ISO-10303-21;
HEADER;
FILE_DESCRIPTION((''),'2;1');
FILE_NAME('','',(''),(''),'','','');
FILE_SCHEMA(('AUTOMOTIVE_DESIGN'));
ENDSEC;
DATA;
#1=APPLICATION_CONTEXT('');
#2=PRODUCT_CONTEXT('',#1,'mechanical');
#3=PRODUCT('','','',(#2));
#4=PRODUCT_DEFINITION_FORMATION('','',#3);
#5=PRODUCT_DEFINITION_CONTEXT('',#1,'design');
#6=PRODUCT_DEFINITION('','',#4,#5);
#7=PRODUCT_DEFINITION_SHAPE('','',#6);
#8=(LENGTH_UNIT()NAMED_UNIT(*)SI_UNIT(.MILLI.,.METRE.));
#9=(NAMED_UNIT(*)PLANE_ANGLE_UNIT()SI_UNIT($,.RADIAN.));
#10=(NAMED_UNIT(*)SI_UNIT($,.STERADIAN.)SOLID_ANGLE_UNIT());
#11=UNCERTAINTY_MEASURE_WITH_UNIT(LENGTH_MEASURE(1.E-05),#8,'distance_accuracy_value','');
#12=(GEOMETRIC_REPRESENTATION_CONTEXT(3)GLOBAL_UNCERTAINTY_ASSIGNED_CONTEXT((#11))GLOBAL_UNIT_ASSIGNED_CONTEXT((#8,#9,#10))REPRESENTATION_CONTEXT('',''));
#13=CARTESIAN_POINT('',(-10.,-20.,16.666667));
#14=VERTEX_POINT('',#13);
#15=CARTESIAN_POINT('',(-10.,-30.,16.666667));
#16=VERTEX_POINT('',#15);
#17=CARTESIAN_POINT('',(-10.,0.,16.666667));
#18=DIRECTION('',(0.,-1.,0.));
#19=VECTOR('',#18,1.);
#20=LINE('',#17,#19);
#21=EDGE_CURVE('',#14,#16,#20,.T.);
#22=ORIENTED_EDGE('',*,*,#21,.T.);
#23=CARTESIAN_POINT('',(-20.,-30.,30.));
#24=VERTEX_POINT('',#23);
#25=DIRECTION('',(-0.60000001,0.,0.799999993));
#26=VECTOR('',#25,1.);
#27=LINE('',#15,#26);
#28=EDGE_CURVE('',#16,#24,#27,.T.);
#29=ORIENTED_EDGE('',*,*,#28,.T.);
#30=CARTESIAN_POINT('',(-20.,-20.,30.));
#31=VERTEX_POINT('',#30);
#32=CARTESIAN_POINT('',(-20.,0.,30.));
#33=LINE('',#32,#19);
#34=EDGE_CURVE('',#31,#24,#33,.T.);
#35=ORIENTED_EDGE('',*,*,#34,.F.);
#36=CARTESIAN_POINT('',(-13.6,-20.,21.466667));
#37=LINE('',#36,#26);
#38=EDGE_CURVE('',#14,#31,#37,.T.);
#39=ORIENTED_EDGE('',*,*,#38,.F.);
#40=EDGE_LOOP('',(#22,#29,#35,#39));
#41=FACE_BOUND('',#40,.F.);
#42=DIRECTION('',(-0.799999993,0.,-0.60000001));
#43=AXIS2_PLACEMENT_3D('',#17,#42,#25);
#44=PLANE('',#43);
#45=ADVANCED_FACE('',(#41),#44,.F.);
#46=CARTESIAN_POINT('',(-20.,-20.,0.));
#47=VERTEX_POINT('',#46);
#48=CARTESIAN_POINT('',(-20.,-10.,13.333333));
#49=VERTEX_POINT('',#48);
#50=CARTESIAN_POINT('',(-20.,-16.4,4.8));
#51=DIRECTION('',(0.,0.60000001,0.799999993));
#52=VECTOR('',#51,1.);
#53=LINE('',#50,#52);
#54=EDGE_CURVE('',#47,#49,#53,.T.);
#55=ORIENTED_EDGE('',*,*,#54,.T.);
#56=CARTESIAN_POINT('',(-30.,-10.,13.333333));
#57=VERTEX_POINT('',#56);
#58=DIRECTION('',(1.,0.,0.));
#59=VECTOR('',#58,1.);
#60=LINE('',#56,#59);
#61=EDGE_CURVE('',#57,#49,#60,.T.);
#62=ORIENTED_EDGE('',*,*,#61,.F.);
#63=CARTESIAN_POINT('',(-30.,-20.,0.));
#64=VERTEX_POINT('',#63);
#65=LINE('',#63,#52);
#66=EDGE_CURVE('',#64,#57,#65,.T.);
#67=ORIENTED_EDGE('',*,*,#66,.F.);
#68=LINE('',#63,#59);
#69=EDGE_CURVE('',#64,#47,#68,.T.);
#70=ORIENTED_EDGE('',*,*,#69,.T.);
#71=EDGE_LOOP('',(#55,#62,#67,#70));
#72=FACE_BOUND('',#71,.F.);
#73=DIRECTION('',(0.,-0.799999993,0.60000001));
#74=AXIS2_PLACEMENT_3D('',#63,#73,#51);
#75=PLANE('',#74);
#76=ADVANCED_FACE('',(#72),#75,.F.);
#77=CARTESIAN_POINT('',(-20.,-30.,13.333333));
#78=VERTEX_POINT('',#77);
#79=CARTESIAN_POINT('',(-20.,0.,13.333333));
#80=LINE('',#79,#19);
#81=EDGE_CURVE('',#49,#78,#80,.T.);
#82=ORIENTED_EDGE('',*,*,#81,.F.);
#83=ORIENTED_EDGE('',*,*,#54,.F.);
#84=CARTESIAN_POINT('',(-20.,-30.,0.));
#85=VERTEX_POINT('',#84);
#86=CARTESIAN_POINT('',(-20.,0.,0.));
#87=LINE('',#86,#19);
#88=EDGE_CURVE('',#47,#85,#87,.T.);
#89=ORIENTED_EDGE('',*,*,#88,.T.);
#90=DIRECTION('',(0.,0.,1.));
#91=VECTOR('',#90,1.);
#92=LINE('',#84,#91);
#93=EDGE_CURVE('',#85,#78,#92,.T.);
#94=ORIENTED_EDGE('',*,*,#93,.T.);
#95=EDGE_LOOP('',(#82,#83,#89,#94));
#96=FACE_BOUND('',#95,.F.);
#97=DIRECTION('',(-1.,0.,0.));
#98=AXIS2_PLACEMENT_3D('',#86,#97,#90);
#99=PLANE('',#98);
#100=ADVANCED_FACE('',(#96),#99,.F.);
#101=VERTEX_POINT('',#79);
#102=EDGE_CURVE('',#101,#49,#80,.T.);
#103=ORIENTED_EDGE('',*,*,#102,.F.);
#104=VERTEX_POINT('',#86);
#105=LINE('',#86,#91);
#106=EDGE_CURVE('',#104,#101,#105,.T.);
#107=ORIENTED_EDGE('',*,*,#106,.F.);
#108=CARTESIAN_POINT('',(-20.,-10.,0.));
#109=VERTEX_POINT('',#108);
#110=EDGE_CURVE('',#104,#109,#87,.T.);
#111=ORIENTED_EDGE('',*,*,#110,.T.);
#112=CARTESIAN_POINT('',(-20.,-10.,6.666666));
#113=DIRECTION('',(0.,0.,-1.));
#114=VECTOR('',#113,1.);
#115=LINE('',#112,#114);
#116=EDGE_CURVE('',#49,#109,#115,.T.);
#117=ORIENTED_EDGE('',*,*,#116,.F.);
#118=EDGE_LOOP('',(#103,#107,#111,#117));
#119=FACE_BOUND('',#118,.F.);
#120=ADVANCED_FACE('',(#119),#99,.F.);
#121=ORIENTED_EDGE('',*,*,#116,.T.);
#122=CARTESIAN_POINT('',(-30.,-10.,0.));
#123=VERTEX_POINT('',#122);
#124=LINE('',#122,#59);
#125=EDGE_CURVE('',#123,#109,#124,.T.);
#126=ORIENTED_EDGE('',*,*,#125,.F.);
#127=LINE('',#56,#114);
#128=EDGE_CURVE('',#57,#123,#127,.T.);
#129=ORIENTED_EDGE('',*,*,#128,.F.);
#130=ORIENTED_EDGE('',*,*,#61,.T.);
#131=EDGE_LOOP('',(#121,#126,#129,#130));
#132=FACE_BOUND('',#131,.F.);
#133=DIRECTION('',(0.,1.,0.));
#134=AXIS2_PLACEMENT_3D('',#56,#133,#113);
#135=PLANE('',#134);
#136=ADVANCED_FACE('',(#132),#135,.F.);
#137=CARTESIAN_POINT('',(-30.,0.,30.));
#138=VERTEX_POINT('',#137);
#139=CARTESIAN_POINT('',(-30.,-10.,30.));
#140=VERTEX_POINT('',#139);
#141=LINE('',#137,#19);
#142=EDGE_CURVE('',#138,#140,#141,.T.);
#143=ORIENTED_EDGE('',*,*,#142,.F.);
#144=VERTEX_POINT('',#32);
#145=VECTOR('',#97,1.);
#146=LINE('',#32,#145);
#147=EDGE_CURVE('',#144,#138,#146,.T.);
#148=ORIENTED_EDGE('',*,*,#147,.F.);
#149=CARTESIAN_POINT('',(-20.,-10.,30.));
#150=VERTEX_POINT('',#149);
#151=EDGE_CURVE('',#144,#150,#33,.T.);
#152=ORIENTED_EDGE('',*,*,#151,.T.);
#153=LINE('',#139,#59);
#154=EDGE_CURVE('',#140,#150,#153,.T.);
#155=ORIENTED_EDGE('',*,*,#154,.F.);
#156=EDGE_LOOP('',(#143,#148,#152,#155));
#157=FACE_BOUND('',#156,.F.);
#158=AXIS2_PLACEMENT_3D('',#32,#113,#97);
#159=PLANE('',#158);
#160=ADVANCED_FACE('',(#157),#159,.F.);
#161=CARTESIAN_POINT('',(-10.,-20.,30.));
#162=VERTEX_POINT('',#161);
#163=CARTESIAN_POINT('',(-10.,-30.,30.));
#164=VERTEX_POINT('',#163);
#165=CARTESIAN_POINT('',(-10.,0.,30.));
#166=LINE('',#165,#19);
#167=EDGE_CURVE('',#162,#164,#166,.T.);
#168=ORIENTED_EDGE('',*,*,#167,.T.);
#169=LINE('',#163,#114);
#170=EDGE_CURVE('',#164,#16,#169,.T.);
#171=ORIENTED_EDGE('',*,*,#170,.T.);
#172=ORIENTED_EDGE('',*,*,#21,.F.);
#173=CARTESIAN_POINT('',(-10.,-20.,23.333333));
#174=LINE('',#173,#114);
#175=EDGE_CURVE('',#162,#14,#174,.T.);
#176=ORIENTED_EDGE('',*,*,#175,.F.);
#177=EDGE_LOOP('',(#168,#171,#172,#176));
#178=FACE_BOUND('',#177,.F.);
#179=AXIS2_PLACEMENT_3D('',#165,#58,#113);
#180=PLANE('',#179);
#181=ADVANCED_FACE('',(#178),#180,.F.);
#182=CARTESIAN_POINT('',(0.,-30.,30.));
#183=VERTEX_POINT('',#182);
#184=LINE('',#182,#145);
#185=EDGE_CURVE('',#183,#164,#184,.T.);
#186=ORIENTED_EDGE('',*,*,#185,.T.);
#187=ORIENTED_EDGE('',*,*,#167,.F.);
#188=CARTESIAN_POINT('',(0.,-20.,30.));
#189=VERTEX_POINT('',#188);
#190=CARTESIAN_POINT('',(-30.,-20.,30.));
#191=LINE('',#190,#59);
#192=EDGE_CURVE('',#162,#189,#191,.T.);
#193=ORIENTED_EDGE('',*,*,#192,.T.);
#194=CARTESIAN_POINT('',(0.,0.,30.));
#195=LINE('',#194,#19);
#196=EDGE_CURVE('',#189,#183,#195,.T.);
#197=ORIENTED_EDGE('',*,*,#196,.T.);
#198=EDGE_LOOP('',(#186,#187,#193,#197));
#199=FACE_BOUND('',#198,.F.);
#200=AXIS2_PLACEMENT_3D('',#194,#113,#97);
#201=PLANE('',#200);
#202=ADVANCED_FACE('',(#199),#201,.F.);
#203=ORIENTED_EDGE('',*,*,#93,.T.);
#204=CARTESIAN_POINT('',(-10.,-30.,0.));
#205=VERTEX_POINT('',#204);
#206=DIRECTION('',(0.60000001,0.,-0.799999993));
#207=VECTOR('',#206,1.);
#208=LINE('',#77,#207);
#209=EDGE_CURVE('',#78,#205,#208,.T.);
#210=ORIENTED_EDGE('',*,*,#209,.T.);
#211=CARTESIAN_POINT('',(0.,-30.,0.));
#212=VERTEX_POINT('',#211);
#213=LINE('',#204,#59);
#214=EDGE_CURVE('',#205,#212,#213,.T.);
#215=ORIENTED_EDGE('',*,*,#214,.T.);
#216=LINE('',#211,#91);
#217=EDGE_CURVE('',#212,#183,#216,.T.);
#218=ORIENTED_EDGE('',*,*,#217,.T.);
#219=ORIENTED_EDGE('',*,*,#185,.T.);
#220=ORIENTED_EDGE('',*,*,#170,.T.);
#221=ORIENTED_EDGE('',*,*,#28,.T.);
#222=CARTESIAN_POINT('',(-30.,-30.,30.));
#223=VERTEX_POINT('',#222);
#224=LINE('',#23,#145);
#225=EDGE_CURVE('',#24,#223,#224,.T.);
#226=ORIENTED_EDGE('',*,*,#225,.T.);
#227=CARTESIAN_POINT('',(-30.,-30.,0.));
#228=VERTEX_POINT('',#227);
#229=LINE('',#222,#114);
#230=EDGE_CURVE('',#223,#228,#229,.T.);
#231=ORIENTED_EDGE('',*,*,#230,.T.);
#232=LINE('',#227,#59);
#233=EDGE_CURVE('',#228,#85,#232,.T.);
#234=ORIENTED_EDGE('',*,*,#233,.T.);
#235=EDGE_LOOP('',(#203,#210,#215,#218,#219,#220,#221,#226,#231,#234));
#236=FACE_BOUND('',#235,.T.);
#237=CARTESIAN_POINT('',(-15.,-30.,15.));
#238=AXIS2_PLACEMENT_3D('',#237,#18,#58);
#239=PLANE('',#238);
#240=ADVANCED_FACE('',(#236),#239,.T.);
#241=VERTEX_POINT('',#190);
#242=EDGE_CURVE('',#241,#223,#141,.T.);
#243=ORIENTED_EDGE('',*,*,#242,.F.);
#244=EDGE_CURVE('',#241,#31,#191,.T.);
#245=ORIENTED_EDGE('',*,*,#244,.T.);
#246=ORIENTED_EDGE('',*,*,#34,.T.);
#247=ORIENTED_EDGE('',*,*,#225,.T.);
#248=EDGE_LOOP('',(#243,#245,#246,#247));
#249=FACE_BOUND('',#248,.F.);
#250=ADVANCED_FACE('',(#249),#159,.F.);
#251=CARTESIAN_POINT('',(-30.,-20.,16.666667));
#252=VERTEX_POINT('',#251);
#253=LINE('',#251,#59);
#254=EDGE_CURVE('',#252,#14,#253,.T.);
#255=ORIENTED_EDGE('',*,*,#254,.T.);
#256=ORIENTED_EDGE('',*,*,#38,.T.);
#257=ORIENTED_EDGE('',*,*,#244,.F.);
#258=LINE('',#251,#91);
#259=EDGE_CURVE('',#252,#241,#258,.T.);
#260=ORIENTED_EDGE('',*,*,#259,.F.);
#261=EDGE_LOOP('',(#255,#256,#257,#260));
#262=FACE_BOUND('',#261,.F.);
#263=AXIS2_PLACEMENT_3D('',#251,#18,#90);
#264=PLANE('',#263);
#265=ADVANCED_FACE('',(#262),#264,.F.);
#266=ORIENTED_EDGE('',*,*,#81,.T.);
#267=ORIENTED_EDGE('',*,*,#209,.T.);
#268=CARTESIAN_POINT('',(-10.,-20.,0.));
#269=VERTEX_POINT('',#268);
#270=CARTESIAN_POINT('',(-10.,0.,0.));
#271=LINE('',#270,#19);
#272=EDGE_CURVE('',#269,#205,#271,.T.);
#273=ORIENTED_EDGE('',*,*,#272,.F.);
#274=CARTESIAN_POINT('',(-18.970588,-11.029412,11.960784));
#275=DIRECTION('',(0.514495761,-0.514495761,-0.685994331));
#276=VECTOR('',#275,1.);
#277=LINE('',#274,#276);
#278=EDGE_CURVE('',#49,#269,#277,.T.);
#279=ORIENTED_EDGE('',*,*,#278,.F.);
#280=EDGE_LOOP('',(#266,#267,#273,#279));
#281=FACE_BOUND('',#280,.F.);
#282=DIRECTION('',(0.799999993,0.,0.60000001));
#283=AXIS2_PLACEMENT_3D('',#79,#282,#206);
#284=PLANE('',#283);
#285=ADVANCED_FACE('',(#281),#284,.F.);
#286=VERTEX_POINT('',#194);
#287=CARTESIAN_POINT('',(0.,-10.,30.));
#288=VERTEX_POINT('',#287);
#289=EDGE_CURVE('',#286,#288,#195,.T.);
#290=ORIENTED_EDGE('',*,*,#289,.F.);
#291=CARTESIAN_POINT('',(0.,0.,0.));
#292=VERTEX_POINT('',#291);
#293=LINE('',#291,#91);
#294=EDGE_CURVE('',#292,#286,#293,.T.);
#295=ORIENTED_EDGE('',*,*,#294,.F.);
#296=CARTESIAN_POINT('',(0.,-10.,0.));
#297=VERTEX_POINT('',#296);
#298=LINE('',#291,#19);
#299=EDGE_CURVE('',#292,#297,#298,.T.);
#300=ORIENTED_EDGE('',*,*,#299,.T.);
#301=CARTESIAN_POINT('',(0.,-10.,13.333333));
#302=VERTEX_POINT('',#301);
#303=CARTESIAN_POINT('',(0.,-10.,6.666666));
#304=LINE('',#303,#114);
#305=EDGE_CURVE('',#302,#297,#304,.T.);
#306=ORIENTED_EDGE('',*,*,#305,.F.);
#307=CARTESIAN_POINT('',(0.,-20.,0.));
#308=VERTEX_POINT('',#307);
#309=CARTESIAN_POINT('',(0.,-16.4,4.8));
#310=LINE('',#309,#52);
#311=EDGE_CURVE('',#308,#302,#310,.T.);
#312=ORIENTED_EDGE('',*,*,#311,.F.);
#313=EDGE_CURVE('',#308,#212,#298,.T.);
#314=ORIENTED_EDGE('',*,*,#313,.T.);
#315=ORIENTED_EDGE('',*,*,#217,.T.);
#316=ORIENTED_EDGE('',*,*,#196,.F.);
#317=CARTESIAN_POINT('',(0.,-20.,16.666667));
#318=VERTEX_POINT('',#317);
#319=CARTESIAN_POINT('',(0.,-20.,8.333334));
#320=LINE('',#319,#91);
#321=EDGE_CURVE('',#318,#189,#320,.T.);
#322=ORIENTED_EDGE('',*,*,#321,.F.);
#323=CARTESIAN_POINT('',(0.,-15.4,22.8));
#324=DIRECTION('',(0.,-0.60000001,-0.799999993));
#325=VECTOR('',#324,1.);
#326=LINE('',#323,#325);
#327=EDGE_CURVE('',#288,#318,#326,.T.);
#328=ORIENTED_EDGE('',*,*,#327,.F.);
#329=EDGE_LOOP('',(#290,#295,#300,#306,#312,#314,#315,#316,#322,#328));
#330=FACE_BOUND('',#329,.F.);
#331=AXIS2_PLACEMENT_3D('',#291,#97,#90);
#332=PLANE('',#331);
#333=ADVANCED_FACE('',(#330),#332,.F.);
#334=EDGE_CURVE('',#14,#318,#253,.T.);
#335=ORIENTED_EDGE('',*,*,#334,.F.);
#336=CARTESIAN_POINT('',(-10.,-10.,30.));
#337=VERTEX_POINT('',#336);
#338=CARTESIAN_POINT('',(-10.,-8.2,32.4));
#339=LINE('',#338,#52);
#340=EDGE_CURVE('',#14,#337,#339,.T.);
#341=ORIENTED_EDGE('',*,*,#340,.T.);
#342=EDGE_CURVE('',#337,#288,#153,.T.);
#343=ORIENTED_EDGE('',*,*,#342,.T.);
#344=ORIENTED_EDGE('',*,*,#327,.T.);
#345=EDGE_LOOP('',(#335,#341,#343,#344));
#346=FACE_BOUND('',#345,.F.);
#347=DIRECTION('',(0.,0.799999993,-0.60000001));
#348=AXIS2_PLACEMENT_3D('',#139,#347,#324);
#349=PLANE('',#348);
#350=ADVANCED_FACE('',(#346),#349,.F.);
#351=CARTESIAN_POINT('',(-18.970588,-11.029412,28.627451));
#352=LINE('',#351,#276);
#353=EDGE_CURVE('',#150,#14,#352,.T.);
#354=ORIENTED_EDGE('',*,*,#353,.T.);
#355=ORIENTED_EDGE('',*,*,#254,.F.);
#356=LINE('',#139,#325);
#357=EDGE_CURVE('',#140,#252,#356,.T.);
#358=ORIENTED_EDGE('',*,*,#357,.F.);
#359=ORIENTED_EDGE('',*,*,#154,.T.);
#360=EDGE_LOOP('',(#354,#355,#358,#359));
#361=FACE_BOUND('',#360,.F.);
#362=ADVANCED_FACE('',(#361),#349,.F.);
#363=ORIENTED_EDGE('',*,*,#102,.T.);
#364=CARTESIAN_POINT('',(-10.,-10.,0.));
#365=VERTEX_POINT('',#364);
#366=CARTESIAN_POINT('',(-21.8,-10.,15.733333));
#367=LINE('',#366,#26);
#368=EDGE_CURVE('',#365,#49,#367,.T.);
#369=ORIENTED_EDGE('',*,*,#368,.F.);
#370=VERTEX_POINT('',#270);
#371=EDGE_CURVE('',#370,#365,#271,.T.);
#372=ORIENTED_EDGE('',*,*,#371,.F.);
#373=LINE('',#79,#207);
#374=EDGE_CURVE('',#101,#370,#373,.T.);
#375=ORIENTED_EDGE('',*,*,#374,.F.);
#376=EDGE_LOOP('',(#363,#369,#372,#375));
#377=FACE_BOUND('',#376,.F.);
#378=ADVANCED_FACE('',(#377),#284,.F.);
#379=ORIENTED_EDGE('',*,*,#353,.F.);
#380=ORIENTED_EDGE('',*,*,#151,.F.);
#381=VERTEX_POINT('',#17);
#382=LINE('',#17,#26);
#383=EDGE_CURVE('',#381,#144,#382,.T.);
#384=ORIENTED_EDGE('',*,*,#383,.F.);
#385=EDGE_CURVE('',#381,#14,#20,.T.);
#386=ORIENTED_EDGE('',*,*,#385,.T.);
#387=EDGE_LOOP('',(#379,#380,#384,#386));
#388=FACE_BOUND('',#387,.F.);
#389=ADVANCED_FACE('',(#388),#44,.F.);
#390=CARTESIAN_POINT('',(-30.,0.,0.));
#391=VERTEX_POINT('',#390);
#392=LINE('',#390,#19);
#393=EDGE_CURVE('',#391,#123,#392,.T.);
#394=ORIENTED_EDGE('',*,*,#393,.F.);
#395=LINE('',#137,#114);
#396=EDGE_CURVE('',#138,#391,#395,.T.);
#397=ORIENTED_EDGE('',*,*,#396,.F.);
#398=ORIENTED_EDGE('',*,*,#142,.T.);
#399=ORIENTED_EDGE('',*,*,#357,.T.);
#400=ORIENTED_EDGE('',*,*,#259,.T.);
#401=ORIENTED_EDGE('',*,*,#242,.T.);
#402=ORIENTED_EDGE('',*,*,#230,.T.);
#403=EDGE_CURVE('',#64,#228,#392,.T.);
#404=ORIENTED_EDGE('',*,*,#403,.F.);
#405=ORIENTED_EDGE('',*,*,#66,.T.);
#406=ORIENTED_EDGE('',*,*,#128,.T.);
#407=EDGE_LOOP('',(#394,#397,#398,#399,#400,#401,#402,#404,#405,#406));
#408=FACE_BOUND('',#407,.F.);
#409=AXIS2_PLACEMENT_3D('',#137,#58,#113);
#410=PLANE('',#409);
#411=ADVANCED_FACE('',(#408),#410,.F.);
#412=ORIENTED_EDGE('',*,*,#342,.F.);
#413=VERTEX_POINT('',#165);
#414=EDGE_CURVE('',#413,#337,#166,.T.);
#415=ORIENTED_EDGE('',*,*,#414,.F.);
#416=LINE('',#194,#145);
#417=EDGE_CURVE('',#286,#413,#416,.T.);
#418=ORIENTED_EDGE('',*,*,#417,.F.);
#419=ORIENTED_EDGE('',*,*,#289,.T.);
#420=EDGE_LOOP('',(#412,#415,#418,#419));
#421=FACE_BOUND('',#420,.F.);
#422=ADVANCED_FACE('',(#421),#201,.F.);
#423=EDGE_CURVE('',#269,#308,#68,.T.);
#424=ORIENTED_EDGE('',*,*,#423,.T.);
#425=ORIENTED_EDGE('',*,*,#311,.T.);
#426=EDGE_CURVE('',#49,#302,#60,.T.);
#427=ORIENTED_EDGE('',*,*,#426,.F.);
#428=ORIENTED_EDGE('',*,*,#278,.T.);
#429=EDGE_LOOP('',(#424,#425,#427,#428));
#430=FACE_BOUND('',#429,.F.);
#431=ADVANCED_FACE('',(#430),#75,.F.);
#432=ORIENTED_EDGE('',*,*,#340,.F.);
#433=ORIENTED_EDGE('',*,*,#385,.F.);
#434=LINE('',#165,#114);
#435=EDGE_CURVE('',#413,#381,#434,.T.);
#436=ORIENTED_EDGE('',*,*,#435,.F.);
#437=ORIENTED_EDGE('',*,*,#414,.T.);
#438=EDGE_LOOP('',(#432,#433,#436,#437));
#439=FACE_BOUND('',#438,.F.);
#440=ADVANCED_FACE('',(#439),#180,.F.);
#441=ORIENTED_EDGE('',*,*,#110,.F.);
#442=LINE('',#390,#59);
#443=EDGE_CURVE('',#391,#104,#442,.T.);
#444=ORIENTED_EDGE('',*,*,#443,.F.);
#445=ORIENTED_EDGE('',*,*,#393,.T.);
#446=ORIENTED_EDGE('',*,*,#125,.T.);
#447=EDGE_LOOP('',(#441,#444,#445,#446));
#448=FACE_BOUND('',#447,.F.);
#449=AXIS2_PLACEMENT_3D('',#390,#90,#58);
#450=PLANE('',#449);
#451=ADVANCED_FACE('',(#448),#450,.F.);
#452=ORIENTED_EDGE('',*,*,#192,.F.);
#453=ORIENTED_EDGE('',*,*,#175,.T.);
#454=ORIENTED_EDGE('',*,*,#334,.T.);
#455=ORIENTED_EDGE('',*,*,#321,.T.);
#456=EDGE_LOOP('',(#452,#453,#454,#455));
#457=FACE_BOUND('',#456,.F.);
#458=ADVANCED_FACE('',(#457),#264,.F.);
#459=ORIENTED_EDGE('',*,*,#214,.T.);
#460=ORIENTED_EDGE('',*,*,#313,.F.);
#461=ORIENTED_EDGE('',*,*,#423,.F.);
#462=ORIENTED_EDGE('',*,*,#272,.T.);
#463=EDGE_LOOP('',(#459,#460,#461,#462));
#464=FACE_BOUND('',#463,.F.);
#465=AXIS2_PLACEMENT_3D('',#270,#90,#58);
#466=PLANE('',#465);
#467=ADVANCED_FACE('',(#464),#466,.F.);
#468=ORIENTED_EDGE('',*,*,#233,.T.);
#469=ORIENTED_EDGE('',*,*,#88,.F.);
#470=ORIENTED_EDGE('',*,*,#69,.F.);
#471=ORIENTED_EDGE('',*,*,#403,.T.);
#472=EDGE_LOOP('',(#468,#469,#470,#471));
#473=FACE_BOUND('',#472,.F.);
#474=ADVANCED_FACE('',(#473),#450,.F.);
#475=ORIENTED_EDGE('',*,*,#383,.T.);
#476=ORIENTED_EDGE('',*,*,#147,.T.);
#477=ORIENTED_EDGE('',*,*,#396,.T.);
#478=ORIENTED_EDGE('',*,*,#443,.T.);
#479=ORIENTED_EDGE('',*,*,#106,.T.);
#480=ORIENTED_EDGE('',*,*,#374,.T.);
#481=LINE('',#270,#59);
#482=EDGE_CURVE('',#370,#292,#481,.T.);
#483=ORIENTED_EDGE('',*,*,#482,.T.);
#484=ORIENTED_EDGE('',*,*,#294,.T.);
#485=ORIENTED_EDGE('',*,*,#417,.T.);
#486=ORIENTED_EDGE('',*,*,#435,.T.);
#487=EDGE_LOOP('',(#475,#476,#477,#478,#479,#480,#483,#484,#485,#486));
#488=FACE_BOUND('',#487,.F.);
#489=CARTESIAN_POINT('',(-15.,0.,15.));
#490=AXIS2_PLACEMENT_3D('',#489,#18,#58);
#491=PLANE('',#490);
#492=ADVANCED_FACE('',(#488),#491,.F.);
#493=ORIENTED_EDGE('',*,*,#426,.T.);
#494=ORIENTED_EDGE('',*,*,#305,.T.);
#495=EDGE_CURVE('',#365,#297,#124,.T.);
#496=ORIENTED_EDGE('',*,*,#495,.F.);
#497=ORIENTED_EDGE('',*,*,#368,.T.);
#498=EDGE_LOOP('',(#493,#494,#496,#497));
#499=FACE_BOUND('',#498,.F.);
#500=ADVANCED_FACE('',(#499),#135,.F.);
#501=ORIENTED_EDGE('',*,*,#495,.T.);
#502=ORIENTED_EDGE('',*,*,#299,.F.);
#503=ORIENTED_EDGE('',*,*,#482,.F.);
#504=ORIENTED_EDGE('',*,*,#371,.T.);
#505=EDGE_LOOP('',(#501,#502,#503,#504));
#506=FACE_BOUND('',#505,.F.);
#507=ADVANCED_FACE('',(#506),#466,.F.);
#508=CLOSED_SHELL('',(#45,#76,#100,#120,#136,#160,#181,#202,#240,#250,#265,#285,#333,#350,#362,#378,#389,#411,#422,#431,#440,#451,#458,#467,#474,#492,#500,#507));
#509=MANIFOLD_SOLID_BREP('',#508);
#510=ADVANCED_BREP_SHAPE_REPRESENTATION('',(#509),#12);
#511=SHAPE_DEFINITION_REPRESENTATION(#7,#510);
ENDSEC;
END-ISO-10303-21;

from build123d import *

# Parameters (mm, degrees)
F1_DEPTH = 30
F3_DEPTH = 30.001


with BuildPart() as f1:
    # F0 (on Front) → F1 (new body)
    with BuildSketch(Plane.XZ):
        Polygon((-30, 30), (-30, 0), (-20, 0), (-20, 13.333333), (-10, 0), (0, 0), (0, 30), (-10, 30), (-10, 16.666667), (-20, 30), align=None)
    extrude(amount=F1_DEPTH)

    # F2 (on face) → F3 (cut, through all)
    with BuildSketch(Plane(origin=(-30, 0, 0), x_dir=(0, -1, 0), z_dir=(-1, 0, 0))):
        Polygon((20, 30), (10, 30), (20, 16.666667), align=None)
        Polygon((10, 13.333333), (10, 0), (20, 0), align=None)
    extrude(amount=-F3_DEPTH, mode=Mode.SUBTRACT)


solid = f1.part
